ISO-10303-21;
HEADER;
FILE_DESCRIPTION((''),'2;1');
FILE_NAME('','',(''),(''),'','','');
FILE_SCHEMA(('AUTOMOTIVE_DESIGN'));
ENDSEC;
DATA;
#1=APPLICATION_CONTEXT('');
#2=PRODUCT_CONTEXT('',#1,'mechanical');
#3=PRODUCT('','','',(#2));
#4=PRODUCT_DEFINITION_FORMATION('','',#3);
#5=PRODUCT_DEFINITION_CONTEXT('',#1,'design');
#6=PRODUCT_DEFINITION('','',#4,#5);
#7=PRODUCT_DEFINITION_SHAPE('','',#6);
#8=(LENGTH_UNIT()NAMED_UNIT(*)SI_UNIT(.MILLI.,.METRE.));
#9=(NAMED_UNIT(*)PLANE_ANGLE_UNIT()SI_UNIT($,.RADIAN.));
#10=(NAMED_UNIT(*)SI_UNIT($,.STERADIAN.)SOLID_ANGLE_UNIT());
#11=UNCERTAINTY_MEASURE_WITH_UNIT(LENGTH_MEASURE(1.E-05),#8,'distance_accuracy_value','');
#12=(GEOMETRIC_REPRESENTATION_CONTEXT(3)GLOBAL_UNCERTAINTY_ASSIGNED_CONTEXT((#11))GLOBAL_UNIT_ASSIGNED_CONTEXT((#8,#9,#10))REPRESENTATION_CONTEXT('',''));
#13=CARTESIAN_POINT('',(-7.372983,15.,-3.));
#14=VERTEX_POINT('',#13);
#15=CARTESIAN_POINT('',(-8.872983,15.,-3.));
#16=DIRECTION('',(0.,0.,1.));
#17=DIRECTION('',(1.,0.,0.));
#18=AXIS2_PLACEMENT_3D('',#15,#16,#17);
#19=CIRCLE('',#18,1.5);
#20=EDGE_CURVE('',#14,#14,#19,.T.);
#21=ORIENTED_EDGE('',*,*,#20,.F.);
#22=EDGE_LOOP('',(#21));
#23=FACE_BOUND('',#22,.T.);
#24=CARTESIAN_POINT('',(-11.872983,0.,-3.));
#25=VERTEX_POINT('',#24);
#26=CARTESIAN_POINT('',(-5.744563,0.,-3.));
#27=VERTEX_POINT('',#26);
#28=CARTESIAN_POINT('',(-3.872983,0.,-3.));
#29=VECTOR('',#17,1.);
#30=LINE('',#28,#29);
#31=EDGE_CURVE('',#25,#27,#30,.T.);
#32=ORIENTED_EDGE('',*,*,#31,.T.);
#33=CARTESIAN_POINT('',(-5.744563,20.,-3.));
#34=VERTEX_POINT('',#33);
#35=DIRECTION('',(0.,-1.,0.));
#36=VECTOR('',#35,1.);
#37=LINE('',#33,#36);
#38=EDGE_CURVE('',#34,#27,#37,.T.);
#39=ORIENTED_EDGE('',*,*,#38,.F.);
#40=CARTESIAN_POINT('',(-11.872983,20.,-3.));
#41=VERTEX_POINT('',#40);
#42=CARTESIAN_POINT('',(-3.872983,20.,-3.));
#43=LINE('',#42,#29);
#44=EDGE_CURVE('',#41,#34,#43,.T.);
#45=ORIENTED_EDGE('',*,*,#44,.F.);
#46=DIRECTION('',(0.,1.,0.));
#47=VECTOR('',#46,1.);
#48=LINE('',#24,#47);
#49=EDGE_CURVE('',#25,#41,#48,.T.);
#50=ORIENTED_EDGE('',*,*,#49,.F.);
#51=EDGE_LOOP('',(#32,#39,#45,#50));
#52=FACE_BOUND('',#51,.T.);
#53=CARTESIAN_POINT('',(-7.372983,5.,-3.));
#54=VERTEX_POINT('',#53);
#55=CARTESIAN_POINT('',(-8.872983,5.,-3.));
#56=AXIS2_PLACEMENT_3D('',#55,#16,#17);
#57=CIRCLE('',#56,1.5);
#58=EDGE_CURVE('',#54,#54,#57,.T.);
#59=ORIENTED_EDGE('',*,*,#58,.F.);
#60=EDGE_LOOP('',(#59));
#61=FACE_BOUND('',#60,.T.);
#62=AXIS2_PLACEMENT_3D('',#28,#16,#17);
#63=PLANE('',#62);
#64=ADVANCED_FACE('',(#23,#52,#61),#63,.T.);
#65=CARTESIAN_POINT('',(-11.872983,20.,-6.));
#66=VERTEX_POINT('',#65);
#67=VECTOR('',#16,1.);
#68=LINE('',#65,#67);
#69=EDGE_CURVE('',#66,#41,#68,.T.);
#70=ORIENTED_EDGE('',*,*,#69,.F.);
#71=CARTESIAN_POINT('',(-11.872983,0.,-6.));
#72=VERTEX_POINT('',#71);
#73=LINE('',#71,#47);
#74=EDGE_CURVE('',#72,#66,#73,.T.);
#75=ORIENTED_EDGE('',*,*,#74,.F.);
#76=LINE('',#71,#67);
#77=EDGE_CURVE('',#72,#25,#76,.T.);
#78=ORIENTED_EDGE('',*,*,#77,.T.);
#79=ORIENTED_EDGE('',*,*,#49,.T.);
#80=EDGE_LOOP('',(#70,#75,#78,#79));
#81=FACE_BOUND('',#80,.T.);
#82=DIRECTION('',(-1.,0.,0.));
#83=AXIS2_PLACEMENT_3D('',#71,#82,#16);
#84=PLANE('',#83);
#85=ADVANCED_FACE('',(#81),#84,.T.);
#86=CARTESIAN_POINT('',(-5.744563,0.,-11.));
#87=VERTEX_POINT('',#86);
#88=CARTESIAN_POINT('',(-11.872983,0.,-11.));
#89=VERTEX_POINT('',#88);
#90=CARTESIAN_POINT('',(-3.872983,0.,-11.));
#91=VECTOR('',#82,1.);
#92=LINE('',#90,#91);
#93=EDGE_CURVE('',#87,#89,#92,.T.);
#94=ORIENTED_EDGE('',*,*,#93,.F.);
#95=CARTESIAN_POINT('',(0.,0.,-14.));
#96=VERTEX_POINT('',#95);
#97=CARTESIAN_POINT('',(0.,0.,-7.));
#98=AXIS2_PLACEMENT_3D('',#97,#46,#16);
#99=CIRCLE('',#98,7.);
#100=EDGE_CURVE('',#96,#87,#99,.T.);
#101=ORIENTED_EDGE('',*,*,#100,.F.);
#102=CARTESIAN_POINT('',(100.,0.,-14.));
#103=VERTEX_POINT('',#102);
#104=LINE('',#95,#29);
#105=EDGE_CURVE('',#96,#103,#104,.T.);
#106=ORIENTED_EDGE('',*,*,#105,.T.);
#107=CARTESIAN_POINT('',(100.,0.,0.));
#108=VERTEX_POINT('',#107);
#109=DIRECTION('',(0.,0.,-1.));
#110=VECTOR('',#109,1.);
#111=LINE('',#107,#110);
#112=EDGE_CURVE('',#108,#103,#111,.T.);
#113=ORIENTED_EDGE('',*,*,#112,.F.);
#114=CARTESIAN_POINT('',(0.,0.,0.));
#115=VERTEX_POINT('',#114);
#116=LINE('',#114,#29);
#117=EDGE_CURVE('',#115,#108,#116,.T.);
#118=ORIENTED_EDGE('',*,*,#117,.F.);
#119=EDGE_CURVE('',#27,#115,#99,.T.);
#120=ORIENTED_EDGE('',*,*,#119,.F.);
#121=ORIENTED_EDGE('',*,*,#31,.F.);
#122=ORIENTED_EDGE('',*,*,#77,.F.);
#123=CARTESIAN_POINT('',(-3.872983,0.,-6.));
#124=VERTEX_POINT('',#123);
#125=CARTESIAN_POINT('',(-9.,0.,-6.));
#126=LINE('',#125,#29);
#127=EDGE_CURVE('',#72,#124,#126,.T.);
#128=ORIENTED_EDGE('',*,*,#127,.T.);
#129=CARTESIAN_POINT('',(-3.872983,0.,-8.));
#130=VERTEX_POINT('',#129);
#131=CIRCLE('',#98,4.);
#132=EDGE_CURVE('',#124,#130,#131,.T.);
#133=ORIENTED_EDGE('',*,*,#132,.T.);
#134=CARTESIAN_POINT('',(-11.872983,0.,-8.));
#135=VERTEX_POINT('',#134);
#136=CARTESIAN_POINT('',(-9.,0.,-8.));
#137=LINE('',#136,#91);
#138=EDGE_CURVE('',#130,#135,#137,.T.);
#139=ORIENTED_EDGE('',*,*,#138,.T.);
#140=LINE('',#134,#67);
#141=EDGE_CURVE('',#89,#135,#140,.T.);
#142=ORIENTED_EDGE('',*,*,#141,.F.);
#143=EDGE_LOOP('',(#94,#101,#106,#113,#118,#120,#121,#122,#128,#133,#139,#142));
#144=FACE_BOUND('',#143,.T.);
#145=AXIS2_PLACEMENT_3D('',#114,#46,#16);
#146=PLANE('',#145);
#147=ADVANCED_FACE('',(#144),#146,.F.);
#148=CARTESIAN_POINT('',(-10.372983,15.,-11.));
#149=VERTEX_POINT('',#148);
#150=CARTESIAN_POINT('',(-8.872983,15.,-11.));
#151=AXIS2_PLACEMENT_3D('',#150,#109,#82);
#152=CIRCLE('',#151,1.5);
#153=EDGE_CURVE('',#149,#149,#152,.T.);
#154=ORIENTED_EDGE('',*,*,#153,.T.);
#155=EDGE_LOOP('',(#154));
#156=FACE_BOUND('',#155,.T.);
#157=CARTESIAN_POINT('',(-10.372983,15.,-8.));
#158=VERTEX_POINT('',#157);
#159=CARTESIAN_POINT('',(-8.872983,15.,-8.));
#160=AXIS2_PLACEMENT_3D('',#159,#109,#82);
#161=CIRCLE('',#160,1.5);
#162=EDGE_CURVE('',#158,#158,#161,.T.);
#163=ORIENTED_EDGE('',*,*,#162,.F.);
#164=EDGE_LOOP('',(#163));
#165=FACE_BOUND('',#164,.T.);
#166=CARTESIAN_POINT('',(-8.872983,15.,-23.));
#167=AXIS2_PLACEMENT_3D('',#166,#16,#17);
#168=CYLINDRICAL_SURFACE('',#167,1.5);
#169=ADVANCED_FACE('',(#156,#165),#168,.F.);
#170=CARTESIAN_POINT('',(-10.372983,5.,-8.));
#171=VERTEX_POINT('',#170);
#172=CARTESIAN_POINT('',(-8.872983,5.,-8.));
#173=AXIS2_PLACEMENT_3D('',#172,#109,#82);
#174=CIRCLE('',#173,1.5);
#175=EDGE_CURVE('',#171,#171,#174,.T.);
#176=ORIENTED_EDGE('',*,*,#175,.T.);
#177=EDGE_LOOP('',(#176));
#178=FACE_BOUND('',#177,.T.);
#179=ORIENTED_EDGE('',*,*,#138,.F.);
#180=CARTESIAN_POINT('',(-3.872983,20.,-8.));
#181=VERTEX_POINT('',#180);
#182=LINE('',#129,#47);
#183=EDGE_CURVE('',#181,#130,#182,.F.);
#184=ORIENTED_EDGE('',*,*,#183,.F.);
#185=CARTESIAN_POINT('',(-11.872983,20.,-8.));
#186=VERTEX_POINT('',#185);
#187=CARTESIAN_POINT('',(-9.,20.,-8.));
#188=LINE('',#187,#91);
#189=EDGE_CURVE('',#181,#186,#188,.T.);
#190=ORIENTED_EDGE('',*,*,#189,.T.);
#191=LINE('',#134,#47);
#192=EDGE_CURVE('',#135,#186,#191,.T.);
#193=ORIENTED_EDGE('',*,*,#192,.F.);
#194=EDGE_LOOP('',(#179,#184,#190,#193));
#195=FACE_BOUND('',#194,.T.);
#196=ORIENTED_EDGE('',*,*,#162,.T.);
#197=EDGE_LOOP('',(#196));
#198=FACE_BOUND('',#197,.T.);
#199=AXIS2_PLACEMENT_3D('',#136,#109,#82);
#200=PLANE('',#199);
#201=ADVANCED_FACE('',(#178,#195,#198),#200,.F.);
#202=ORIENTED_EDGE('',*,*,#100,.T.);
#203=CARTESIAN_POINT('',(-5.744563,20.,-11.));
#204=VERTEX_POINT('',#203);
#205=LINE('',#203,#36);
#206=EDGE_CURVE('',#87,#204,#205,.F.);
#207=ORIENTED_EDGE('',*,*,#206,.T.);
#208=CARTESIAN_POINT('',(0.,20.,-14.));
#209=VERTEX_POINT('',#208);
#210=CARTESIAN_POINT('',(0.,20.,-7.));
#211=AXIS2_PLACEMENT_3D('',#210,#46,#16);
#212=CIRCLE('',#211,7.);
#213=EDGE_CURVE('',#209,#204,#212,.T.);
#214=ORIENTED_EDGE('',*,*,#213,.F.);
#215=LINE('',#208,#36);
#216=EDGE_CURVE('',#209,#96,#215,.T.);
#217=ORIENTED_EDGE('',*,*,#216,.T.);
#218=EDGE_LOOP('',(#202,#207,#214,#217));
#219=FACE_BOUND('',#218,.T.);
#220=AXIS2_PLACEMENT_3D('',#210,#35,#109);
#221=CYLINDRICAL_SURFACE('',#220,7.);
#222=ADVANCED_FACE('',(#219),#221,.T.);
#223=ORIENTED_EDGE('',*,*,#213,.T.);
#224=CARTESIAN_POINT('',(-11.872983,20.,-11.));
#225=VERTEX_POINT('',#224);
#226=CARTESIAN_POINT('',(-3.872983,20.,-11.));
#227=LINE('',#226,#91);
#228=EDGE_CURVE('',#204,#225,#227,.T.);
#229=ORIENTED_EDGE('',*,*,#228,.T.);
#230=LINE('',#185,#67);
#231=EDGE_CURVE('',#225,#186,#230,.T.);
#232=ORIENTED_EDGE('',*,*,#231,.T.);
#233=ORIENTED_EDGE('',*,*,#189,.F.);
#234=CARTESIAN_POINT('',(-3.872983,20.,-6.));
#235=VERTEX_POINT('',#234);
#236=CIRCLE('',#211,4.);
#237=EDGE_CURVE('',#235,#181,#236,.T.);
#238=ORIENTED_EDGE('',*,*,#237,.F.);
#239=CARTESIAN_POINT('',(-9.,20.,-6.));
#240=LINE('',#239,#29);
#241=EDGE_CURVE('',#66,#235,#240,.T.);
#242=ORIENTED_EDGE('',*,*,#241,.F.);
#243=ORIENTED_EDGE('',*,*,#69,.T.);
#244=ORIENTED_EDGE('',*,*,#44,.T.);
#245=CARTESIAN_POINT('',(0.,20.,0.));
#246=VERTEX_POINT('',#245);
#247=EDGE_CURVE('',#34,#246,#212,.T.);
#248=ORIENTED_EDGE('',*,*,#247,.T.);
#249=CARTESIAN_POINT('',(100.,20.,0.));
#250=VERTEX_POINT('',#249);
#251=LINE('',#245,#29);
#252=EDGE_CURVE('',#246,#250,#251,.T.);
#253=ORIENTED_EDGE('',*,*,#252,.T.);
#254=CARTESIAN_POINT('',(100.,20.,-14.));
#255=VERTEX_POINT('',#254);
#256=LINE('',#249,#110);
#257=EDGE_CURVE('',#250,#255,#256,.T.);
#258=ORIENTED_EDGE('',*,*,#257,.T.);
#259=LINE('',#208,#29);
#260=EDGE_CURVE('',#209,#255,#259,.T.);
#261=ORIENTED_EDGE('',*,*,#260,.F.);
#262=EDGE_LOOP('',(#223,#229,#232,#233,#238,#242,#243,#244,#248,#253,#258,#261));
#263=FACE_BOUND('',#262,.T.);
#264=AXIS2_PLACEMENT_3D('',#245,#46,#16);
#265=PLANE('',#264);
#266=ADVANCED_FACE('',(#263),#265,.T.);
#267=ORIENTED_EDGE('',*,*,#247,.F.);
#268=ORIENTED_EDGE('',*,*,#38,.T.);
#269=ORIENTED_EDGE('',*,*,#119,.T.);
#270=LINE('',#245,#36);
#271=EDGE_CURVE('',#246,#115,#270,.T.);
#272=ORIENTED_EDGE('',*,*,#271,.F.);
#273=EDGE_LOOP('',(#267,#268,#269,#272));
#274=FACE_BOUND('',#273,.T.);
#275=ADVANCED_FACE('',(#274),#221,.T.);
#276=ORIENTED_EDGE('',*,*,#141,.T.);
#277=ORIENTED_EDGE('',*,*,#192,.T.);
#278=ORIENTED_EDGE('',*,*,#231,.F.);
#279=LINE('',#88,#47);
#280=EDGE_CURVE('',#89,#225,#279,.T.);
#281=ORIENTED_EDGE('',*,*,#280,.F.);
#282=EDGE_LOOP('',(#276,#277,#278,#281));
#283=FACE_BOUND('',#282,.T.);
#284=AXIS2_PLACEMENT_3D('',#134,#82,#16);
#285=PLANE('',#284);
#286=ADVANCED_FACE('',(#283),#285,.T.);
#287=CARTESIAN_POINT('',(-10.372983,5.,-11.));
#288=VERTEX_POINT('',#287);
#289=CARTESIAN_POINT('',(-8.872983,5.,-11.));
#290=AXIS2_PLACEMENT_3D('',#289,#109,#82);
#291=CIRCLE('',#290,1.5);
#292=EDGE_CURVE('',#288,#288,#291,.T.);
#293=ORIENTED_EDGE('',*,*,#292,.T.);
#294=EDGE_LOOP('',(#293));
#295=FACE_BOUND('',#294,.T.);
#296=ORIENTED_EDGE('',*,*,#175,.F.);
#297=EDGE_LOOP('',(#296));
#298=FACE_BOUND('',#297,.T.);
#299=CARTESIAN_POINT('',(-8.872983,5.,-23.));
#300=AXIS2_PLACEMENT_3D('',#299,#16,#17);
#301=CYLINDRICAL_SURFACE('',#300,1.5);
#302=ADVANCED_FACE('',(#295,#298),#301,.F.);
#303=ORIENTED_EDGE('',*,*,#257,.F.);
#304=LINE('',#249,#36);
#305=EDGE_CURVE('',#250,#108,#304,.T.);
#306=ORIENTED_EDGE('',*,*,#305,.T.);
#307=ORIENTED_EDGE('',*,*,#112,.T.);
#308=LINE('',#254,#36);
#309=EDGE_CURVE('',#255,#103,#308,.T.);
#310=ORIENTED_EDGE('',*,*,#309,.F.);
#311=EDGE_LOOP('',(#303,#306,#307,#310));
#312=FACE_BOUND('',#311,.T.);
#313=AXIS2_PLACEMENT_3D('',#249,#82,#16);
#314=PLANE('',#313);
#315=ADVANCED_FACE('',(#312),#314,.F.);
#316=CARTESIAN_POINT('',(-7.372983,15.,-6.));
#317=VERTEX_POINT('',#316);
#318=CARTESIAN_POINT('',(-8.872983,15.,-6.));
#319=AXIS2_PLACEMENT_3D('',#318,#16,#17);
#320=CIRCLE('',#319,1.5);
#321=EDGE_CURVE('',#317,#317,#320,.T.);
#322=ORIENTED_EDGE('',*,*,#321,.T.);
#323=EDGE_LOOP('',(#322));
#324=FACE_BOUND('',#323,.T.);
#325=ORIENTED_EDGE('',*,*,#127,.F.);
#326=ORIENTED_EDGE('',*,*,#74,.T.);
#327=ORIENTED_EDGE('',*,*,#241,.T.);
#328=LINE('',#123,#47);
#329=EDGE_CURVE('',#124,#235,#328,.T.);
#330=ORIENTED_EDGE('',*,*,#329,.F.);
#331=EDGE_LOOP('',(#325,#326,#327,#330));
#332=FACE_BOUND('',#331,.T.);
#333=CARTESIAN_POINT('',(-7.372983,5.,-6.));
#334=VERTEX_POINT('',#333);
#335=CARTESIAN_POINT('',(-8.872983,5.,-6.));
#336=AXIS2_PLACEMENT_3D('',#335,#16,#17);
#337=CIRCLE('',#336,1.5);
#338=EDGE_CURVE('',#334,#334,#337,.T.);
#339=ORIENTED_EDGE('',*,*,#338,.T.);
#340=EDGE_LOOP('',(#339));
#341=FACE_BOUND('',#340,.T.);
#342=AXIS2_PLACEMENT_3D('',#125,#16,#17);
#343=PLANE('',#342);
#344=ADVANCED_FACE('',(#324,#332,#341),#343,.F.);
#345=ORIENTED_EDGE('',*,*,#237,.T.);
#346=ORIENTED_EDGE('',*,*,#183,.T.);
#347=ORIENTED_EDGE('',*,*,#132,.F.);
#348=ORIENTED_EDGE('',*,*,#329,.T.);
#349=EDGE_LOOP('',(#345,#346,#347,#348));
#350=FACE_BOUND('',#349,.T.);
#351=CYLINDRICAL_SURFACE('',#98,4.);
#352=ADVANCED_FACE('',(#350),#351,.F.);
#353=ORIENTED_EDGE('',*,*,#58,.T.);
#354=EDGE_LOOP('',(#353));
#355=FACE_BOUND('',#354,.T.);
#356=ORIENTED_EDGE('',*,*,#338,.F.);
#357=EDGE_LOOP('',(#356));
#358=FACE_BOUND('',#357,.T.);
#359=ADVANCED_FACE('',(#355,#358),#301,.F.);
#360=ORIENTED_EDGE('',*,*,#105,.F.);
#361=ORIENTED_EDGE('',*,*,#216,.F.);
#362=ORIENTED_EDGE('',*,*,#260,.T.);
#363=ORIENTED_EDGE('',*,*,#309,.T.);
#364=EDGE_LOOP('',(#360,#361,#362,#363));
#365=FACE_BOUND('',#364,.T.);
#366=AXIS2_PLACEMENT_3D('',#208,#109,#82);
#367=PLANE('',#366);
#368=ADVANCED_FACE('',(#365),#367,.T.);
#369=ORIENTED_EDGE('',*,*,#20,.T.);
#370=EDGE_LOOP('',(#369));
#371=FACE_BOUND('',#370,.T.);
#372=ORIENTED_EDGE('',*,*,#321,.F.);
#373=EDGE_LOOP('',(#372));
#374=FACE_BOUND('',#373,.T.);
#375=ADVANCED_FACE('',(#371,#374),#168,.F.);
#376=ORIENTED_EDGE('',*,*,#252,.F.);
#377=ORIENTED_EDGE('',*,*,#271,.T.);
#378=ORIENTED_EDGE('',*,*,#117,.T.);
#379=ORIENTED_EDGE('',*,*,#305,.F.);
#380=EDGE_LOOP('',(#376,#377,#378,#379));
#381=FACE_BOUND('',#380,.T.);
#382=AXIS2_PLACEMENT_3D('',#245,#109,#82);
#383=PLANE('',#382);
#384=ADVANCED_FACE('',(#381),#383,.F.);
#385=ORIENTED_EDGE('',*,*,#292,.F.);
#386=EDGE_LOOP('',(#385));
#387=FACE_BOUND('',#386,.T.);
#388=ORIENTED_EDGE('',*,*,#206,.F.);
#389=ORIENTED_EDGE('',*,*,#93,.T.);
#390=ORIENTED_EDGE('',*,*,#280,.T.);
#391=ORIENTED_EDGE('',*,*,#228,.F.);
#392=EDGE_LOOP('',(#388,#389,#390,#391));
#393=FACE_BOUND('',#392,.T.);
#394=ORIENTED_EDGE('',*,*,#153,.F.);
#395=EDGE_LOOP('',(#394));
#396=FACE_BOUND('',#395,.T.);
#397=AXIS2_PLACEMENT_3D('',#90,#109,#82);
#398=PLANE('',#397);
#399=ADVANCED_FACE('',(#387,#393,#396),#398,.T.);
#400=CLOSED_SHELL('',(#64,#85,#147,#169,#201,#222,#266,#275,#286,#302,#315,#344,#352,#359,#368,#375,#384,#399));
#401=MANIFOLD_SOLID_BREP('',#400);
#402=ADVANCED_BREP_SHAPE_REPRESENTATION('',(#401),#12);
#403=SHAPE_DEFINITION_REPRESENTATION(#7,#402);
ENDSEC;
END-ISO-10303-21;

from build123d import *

# Parameters (mm, degrees)
ESBO_O1_R                = 7
ESBO_O1_W                = 100
ESBO_O1_H                = 14
RESSALTO_EXTRUS_O1_DEPTH = 20
ESBO_O2_R                = 4
CORTE_EXTRUS_O1_DEPTH    = 20
ESBO_O3_W                = 10
ESBO_O3_H                = 2
CORTE_EXTRUS_O2_DEPTH    = 20
ESBO_O4_W                = 8
ESBO_O4_H                = 3
RESSALTO_EXTRUS_O2_DEPTH = 20
ESBO_O5_R                = 1.5
CORTE_EXTRUS_O3_DEPTH    = 20


with BuildPart() as part:
    # Esboço1 → Ressalto-extrusão1 (new body)
    with BuildSketch(Plane(origin=(0, 0, 0), x_dir=(1, 0, 0), z_dir=(0, 1, 0))):
        with Locations((0, 7)):
            Circle(ESBO_O1_R)
        with Locations((50, 7)):
            Rectangle(ESBO_O1_W, ESBO_O1_H)
    extrude(amount=RESSALTO_EXTRUS_O1_DEPTH)

    # Esboço2 → Corte-extrusão1 (cut)
    with BuildSketch(Plane(origin=(0, 20, 0), x_dir=(1, 0, 0), z_dir=(0, 1, 0))):
        with Locations(Location((0, 7, 0), (0, 0, 270))):
            Circle(ESBO_O2_R)
    extrude(amount=-CORTE_EXTRUS_O1_DEPTH, mode=Mode.SUBTRACT)

    # Esboço3 → Corte-extrusão2 (cut)
    with BuildSketch(Plane(origin=(0, 20, 0), x_dir=(1, 0, 0), z_dir=(0, 1, 0))):
        with Locations((-4, 7)):
            Rectangle(ESBO_O3_W, ESBO_O3_H)
    extrude(amount=-CORTE_EXTRUS_O2_DEPTH, mode=Mode.SUBTRACT)

    # Esboço4 → Ressalto-extrusão2 (add)
    with BuildSketch(Plane(origin=(0, 20, 0), x_dir=(1, 0, 0), z_dir=(0, 1, 0))):
        with Locations((-7.872983346, 9.5)):
            Rectangle(ESBO_O4_W, ESBO_O4_H)
        with Locations((-7.872983346, 4.5)):
            Rectangle(ESBO_O4_W, ESBO_O4_H)
    extrude(amount=-RESSALTO_EXTRUS_O2_DEPTH)

    # Esboço5 → Corte-extrusão3 (cut)
    with BuildSketch(Plane.XY.offset(-3)):
        with Locations((-8.872983346, 15)):
            Circle(ESBO_O5_R)
        with Locations((-8.872983346, 5)):
            Circle(ESBO_O5_R)
    extrude(amount=-CORTE_EXTRUS_O3_DEPTH, mode=Mode.SUBTRACT)


solid = part.part
